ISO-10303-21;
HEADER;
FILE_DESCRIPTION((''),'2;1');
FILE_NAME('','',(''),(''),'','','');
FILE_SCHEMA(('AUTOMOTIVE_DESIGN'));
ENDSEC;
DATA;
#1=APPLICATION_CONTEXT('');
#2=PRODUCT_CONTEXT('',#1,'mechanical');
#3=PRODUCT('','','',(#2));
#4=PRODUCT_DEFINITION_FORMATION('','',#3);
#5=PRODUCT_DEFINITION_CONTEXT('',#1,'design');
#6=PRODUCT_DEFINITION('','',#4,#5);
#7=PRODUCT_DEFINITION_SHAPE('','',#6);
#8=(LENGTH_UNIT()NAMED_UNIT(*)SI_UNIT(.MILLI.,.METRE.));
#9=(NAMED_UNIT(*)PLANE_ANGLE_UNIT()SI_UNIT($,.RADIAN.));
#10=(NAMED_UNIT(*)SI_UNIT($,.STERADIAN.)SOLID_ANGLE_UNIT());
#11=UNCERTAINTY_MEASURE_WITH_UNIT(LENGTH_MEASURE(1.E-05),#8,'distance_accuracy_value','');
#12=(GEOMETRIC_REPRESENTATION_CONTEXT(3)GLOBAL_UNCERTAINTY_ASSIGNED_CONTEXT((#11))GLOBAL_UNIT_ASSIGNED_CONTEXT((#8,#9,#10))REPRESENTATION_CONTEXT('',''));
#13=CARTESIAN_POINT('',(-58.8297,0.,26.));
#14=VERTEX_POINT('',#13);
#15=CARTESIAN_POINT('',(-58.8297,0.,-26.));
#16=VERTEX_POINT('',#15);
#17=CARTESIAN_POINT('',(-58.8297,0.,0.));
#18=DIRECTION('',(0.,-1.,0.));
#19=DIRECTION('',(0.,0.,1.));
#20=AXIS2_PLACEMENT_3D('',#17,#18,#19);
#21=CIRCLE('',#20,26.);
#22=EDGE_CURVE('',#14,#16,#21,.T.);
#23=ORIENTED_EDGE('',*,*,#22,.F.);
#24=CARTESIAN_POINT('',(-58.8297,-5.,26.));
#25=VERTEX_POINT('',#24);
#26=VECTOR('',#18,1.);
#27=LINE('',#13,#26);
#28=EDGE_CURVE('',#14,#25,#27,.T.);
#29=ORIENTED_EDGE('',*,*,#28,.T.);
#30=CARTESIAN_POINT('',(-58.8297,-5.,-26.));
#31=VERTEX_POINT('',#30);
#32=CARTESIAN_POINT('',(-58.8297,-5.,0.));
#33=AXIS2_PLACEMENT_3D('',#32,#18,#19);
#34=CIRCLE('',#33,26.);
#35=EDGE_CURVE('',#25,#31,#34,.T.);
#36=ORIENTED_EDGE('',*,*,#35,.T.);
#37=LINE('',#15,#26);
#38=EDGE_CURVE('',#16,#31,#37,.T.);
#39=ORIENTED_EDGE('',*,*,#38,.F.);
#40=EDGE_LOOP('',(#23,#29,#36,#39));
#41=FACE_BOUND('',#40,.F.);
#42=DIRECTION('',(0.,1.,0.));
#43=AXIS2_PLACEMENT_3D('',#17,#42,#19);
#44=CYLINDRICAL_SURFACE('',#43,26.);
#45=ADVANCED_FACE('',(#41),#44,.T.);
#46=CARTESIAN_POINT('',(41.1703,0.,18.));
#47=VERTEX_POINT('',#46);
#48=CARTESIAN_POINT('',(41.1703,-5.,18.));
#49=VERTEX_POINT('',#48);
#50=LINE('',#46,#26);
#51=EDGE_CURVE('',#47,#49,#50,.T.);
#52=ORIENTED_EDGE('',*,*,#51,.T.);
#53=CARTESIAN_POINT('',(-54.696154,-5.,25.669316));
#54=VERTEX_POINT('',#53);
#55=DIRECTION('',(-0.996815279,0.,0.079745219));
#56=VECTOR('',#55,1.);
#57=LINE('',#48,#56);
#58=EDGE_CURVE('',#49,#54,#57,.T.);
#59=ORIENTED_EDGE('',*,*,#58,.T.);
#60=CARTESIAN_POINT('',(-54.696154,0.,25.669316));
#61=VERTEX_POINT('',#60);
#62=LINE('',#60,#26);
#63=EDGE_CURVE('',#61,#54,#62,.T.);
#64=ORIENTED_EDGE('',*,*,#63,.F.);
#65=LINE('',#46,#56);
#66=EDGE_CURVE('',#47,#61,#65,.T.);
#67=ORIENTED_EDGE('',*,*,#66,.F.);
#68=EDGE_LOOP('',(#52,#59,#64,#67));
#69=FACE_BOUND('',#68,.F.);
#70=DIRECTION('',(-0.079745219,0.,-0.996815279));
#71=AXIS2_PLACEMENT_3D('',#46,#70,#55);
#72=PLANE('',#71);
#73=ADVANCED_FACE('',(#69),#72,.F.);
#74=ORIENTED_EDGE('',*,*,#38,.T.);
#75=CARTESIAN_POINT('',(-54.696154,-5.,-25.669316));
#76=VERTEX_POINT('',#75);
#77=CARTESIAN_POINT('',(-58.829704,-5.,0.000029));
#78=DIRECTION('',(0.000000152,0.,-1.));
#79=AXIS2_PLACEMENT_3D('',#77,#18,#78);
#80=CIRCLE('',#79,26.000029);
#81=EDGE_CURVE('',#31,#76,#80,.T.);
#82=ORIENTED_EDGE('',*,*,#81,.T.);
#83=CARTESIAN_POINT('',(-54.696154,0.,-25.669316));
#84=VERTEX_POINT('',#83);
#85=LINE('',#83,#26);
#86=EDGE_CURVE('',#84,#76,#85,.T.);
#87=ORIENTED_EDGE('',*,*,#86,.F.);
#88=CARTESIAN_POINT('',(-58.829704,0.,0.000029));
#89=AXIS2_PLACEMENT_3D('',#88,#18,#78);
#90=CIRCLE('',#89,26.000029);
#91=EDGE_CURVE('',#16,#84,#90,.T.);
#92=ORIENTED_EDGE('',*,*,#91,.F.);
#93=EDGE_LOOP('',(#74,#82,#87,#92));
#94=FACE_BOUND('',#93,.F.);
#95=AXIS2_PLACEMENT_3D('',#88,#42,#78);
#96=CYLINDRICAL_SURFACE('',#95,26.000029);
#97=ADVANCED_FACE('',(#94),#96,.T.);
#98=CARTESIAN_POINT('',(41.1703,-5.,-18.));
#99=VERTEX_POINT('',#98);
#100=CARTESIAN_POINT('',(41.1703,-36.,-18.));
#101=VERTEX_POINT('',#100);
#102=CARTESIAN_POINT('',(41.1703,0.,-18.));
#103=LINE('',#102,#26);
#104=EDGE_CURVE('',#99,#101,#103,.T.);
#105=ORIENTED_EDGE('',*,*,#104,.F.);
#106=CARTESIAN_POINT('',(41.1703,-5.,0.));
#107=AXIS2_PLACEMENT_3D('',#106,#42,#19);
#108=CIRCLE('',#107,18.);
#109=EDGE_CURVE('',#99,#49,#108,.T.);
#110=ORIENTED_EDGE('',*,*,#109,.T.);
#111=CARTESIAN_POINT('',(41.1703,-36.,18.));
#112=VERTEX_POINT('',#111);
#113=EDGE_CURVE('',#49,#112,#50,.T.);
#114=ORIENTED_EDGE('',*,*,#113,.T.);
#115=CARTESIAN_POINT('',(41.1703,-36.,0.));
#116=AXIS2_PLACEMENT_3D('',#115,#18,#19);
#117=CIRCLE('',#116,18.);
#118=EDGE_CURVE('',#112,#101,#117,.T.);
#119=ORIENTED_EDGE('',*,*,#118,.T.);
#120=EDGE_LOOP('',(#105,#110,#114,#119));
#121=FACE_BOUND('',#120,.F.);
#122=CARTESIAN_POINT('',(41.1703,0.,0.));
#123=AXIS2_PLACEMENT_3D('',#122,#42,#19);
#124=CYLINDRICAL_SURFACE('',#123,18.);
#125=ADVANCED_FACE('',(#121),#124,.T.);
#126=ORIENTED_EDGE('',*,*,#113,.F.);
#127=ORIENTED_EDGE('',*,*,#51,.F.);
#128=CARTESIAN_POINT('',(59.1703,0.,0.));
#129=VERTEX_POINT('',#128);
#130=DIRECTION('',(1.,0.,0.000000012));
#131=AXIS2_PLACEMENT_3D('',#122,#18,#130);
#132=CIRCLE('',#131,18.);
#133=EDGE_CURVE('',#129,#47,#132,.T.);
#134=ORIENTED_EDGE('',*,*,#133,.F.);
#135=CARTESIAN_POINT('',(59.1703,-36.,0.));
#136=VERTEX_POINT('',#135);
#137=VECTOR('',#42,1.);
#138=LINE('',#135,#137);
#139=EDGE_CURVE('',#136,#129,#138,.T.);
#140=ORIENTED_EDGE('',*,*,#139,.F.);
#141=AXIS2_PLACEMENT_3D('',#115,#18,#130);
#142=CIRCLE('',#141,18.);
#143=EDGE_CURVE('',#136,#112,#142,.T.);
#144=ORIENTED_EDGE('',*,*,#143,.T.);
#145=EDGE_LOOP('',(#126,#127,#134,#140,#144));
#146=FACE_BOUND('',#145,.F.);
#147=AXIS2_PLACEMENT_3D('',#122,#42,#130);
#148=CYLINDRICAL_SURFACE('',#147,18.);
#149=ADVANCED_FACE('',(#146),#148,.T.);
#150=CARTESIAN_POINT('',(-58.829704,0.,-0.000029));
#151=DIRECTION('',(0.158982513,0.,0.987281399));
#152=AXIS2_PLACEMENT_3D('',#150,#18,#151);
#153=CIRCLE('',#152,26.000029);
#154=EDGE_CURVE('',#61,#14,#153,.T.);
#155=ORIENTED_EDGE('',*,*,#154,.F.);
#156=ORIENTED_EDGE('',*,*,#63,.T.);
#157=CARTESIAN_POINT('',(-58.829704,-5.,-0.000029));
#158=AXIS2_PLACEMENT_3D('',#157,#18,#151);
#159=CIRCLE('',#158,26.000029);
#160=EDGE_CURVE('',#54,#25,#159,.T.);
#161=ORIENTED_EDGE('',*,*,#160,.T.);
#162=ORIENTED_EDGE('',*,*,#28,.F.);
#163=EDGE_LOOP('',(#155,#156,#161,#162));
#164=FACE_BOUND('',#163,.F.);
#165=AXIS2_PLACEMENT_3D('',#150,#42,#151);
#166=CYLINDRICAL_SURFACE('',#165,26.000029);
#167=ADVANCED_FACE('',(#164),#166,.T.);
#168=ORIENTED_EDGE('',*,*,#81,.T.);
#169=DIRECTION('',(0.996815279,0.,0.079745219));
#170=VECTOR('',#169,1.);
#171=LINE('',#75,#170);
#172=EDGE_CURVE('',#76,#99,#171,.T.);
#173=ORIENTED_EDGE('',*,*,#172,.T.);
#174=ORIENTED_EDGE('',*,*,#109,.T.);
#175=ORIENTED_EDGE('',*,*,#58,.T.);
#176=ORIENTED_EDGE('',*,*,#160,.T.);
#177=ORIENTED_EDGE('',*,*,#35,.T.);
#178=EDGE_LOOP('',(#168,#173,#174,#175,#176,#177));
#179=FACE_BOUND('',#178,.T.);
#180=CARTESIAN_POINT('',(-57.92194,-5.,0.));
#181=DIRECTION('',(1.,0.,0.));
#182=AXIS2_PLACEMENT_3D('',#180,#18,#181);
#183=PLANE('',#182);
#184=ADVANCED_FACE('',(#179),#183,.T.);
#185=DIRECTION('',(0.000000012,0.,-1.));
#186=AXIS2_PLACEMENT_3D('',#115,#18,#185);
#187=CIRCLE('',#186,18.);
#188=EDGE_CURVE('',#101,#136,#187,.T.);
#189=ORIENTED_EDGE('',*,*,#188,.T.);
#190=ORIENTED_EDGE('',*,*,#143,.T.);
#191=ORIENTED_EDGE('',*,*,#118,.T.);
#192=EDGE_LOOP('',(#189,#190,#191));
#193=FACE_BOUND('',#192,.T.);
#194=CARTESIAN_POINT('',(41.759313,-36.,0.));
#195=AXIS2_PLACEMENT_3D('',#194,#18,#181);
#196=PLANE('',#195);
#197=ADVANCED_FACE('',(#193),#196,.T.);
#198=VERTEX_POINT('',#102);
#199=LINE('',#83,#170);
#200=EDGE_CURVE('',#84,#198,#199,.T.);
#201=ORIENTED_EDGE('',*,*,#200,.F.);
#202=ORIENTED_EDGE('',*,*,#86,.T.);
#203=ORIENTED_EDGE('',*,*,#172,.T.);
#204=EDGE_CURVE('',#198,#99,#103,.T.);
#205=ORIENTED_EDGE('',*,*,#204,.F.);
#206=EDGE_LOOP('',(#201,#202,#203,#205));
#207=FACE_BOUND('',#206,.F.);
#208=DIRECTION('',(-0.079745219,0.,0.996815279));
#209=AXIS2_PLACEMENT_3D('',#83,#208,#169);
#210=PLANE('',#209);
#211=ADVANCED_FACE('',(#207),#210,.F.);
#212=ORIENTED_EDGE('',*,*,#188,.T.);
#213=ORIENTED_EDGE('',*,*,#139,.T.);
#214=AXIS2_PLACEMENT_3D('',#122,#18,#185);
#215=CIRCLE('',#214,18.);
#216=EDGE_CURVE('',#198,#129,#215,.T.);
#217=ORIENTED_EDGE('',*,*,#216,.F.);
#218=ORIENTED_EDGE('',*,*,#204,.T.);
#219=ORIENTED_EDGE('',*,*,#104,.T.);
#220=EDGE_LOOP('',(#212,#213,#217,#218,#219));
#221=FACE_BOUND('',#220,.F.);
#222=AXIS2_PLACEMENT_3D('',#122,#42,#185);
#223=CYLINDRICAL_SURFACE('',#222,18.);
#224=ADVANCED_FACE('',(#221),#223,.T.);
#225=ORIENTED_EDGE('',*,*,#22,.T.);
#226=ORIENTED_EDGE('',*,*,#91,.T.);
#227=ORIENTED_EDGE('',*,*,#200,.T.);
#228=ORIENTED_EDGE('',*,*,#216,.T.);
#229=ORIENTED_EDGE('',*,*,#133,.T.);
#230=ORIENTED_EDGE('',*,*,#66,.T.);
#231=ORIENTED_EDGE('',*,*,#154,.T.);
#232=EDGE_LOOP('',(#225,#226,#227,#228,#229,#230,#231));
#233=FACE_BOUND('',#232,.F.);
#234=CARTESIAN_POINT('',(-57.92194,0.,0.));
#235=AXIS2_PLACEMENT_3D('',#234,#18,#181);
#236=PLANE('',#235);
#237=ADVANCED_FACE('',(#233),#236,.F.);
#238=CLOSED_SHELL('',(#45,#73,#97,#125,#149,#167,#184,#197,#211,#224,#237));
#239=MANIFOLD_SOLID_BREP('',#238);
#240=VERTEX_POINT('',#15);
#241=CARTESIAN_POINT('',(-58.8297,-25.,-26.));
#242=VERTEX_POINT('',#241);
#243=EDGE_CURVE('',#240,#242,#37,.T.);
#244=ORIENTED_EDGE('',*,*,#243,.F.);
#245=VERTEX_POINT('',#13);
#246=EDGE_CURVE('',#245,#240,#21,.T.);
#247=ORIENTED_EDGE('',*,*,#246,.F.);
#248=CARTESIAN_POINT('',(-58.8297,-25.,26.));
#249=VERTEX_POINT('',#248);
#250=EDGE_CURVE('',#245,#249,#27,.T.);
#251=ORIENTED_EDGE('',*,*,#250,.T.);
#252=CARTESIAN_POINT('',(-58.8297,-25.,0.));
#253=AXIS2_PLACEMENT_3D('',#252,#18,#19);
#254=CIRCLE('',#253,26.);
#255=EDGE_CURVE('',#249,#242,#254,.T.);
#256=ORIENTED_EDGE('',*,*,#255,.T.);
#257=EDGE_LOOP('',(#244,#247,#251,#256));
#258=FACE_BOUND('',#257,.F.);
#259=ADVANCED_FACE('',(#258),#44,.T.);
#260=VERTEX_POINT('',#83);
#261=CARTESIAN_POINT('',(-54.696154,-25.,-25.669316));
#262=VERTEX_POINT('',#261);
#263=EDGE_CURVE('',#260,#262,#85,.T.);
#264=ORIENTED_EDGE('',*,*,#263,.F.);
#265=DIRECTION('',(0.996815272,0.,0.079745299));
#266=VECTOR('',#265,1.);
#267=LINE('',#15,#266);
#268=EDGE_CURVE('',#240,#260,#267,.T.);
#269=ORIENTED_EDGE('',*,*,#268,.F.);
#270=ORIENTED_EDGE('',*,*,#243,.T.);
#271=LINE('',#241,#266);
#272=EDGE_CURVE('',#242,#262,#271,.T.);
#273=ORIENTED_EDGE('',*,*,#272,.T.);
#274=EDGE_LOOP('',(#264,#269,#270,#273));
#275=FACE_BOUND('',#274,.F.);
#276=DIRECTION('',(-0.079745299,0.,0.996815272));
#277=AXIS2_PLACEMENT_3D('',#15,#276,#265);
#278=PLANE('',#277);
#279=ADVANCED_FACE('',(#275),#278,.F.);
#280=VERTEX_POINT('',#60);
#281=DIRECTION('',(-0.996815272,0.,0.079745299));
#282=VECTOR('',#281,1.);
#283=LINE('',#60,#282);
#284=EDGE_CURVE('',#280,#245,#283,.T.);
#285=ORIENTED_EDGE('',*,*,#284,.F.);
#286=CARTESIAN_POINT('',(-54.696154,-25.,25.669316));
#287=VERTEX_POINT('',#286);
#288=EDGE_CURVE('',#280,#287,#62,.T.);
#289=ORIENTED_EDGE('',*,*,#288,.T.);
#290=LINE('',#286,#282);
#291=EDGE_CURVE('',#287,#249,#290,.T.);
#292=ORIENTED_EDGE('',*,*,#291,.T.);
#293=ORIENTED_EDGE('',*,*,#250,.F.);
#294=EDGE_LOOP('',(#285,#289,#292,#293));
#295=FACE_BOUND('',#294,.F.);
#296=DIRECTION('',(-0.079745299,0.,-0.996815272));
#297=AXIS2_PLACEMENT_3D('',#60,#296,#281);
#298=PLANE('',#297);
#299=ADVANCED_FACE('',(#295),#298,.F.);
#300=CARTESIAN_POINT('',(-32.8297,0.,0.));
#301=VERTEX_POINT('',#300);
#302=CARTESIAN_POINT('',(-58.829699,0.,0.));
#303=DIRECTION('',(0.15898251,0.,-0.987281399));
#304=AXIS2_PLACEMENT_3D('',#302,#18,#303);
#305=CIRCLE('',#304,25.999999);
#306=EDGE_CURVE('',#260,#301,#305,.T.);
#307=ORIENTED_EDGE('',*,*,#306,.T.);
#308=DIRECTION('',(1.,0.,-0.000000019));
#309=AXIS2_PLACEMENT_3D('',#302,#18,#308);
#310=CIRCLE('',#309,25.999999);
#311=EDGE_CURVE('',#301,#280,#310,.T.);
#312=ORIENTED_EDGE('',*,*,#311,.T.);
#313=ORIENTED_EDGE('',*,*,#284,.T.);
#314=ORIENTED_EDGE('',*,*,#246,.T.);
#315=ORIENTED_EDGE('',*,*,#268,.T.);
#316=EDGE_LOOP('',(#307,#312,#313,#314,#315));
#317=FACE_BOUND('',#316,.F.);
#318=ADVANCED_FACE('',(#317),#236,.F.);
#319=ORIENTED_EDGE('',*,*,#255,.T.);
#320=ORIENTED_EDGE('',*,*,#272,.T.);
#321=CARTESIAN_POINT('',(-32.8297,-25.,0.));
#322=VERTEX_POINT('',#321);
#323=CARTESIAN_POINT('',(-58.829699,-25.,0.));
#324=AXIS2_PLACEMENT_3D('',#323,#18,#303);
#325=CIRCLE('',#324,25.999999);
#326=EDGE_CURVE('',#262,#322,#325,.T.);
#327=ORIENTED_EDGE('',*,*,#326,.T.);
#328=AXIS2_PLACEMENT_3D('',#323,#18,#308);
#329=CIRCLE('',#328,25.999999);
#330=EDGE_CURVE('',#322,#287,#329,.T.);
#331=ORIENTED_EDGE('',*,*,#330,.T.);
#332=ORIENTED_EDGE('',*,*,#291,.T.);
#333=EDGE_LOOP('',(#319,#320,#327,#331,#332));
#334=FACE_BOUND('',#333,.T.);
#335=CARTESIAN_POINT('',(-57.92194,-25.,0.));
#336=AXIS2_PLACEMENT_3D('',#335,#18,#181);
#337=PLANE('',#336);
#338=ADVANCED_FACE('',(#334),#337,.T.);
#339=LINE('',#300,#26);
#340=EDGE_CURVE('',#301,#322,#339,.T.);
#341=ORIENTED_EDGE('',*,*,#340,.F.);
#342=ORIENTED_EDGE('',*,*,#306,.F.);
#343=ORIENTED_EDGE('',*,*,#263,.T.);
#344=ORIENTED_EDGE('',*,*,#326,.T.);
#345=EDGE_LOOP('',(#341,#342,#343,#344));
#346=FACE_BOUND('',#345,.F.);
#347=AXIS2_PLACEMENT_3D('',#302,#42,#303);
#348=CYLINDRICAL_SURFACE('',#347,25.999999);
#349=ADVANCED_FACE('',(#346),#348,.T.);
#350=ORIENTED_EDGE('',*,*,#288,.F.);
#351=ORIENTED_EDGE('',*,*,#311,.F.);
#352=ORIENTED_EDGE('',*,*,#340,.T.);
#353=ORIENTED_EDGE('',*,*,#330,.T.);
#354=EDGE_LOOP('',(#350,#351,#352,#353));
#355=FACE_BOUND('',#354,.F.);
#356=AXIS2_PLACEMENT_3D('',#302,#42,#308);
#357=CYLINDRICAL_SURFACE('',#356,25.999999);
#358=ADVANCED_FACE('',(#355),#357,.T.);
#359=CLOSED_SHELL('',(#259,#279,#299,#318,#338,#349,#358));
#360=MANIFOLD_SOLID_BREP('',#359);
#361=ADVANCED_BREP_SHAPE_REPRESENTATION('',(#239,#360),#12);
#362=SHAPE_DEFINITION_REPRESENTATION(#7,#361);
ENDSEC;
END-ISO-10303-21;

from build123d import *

# Parameters (mm, degrees)
F1_DEPTH = 25
F2_DEPTH = 5
F3_DEPTH = 36


with BuildPart() as f1:
    # F0 (on Front) → F1 (new body)
    with BuildSketch(Plane.XZ):
        with BuildLine():
            Line((-54.696154, 25.669316), (-58.8297, 26))
            ThreePointArc((-58.8297, 26), (-84.8297, 0), (-58.8297, -26))
            Line((-58.8297, -26), (-54.696154, -25.669316))
            ThreePointArc((-54.696154, -25.669316), (-39.037376, -16.860128), (-32.8297, 0))
            ThreePointArc((-32.8297, 0), (-39.037376, 16.860128), (-54.696154, 25.669316))
        make_face()
    extrude(amount=F1_DEPTH)


with BuildPart() as f2:
    # F0 (on Front) → F2 (new body)
    with BuildSketch(Plane.XZ):
        with BuildLine():
            Line((-54.696154, 25.669316), (-58.8297, 26))
            ThreePointArc((-58.8297, 26), (-84.8297, 0), (-58.8297, -26))
            Line((-58.8297, -26), (-54.696154, -25.669316))
            ThreePointArc((-54.696154, -25.669316), (-39.037376, -16.860128), (-32.8297, 0))
            ThreePointArc((-32.8297, 0), (-39.037376, 16.860128), (-54.696154, 25.669316))
        make_face()
        with BuildLine():
            ThreePointArc((-54.696154, 25.669316), (-56.756324, 25.917197), (-58.8297, 26))
            Line((-58.8297, 26), (-54.696154, 25.669316))
        make_face()
        with BuildLine():
            Line((-54.696154, -25.669316), (-58.8297, -26))
            ThreePointArc((-58.8297, -26), (-56.756324, -25.917197), (-54.696154, -25.669316))
        make_face()
        with BuildLine():
            Line((41.1703, 18), (-54.696154, 25.669316))
            ThreePointArc((-54.696154, 25.669316), (-39.037376, 16.860128), (-32.8297, 0))
            ThreePointArc((-32.8297, 0), (-39.037376, -16.860128), (-54.696154, -25.669316))
            Line((-54.696154, -25.669316), (41.1703, -18))
            ThreePointArc((41.1703, -18), (23.1703, 0), (41.1703, 18))
        make_face()
        with BuildLine():
            ThreePointArc((59.1703, 0), (53.898222, 12.727922), (41.1703, 18))
            ThreePointArc((41.1703, 18), (23.1703, 0), (41.1703, -18))
            ThreePointArc((41.1703, -18), (53.898222, -12.727922), (59.1703, 0))
        make_face()
    extrude(amount=F2_DEPTH)

    # F0 (on Front) → F3 (join)
    with BuildSketch(Plane.XZ):
        with BuildLine():
            ThreePointArc((59.1703, 0), (53.898222, 12.727922), (41.1703, 18))
            ThreePointArc((41.1703, 18), (23.1703, 0), (41.1703, -18))
            ThreePointArc((41.1703, -18), (53.898222, -12.727922), (59.1703, 0))
        make_face()
    extrude(amount=F3_DEPTH)


solid = Compound([f1.part, f2.part])
